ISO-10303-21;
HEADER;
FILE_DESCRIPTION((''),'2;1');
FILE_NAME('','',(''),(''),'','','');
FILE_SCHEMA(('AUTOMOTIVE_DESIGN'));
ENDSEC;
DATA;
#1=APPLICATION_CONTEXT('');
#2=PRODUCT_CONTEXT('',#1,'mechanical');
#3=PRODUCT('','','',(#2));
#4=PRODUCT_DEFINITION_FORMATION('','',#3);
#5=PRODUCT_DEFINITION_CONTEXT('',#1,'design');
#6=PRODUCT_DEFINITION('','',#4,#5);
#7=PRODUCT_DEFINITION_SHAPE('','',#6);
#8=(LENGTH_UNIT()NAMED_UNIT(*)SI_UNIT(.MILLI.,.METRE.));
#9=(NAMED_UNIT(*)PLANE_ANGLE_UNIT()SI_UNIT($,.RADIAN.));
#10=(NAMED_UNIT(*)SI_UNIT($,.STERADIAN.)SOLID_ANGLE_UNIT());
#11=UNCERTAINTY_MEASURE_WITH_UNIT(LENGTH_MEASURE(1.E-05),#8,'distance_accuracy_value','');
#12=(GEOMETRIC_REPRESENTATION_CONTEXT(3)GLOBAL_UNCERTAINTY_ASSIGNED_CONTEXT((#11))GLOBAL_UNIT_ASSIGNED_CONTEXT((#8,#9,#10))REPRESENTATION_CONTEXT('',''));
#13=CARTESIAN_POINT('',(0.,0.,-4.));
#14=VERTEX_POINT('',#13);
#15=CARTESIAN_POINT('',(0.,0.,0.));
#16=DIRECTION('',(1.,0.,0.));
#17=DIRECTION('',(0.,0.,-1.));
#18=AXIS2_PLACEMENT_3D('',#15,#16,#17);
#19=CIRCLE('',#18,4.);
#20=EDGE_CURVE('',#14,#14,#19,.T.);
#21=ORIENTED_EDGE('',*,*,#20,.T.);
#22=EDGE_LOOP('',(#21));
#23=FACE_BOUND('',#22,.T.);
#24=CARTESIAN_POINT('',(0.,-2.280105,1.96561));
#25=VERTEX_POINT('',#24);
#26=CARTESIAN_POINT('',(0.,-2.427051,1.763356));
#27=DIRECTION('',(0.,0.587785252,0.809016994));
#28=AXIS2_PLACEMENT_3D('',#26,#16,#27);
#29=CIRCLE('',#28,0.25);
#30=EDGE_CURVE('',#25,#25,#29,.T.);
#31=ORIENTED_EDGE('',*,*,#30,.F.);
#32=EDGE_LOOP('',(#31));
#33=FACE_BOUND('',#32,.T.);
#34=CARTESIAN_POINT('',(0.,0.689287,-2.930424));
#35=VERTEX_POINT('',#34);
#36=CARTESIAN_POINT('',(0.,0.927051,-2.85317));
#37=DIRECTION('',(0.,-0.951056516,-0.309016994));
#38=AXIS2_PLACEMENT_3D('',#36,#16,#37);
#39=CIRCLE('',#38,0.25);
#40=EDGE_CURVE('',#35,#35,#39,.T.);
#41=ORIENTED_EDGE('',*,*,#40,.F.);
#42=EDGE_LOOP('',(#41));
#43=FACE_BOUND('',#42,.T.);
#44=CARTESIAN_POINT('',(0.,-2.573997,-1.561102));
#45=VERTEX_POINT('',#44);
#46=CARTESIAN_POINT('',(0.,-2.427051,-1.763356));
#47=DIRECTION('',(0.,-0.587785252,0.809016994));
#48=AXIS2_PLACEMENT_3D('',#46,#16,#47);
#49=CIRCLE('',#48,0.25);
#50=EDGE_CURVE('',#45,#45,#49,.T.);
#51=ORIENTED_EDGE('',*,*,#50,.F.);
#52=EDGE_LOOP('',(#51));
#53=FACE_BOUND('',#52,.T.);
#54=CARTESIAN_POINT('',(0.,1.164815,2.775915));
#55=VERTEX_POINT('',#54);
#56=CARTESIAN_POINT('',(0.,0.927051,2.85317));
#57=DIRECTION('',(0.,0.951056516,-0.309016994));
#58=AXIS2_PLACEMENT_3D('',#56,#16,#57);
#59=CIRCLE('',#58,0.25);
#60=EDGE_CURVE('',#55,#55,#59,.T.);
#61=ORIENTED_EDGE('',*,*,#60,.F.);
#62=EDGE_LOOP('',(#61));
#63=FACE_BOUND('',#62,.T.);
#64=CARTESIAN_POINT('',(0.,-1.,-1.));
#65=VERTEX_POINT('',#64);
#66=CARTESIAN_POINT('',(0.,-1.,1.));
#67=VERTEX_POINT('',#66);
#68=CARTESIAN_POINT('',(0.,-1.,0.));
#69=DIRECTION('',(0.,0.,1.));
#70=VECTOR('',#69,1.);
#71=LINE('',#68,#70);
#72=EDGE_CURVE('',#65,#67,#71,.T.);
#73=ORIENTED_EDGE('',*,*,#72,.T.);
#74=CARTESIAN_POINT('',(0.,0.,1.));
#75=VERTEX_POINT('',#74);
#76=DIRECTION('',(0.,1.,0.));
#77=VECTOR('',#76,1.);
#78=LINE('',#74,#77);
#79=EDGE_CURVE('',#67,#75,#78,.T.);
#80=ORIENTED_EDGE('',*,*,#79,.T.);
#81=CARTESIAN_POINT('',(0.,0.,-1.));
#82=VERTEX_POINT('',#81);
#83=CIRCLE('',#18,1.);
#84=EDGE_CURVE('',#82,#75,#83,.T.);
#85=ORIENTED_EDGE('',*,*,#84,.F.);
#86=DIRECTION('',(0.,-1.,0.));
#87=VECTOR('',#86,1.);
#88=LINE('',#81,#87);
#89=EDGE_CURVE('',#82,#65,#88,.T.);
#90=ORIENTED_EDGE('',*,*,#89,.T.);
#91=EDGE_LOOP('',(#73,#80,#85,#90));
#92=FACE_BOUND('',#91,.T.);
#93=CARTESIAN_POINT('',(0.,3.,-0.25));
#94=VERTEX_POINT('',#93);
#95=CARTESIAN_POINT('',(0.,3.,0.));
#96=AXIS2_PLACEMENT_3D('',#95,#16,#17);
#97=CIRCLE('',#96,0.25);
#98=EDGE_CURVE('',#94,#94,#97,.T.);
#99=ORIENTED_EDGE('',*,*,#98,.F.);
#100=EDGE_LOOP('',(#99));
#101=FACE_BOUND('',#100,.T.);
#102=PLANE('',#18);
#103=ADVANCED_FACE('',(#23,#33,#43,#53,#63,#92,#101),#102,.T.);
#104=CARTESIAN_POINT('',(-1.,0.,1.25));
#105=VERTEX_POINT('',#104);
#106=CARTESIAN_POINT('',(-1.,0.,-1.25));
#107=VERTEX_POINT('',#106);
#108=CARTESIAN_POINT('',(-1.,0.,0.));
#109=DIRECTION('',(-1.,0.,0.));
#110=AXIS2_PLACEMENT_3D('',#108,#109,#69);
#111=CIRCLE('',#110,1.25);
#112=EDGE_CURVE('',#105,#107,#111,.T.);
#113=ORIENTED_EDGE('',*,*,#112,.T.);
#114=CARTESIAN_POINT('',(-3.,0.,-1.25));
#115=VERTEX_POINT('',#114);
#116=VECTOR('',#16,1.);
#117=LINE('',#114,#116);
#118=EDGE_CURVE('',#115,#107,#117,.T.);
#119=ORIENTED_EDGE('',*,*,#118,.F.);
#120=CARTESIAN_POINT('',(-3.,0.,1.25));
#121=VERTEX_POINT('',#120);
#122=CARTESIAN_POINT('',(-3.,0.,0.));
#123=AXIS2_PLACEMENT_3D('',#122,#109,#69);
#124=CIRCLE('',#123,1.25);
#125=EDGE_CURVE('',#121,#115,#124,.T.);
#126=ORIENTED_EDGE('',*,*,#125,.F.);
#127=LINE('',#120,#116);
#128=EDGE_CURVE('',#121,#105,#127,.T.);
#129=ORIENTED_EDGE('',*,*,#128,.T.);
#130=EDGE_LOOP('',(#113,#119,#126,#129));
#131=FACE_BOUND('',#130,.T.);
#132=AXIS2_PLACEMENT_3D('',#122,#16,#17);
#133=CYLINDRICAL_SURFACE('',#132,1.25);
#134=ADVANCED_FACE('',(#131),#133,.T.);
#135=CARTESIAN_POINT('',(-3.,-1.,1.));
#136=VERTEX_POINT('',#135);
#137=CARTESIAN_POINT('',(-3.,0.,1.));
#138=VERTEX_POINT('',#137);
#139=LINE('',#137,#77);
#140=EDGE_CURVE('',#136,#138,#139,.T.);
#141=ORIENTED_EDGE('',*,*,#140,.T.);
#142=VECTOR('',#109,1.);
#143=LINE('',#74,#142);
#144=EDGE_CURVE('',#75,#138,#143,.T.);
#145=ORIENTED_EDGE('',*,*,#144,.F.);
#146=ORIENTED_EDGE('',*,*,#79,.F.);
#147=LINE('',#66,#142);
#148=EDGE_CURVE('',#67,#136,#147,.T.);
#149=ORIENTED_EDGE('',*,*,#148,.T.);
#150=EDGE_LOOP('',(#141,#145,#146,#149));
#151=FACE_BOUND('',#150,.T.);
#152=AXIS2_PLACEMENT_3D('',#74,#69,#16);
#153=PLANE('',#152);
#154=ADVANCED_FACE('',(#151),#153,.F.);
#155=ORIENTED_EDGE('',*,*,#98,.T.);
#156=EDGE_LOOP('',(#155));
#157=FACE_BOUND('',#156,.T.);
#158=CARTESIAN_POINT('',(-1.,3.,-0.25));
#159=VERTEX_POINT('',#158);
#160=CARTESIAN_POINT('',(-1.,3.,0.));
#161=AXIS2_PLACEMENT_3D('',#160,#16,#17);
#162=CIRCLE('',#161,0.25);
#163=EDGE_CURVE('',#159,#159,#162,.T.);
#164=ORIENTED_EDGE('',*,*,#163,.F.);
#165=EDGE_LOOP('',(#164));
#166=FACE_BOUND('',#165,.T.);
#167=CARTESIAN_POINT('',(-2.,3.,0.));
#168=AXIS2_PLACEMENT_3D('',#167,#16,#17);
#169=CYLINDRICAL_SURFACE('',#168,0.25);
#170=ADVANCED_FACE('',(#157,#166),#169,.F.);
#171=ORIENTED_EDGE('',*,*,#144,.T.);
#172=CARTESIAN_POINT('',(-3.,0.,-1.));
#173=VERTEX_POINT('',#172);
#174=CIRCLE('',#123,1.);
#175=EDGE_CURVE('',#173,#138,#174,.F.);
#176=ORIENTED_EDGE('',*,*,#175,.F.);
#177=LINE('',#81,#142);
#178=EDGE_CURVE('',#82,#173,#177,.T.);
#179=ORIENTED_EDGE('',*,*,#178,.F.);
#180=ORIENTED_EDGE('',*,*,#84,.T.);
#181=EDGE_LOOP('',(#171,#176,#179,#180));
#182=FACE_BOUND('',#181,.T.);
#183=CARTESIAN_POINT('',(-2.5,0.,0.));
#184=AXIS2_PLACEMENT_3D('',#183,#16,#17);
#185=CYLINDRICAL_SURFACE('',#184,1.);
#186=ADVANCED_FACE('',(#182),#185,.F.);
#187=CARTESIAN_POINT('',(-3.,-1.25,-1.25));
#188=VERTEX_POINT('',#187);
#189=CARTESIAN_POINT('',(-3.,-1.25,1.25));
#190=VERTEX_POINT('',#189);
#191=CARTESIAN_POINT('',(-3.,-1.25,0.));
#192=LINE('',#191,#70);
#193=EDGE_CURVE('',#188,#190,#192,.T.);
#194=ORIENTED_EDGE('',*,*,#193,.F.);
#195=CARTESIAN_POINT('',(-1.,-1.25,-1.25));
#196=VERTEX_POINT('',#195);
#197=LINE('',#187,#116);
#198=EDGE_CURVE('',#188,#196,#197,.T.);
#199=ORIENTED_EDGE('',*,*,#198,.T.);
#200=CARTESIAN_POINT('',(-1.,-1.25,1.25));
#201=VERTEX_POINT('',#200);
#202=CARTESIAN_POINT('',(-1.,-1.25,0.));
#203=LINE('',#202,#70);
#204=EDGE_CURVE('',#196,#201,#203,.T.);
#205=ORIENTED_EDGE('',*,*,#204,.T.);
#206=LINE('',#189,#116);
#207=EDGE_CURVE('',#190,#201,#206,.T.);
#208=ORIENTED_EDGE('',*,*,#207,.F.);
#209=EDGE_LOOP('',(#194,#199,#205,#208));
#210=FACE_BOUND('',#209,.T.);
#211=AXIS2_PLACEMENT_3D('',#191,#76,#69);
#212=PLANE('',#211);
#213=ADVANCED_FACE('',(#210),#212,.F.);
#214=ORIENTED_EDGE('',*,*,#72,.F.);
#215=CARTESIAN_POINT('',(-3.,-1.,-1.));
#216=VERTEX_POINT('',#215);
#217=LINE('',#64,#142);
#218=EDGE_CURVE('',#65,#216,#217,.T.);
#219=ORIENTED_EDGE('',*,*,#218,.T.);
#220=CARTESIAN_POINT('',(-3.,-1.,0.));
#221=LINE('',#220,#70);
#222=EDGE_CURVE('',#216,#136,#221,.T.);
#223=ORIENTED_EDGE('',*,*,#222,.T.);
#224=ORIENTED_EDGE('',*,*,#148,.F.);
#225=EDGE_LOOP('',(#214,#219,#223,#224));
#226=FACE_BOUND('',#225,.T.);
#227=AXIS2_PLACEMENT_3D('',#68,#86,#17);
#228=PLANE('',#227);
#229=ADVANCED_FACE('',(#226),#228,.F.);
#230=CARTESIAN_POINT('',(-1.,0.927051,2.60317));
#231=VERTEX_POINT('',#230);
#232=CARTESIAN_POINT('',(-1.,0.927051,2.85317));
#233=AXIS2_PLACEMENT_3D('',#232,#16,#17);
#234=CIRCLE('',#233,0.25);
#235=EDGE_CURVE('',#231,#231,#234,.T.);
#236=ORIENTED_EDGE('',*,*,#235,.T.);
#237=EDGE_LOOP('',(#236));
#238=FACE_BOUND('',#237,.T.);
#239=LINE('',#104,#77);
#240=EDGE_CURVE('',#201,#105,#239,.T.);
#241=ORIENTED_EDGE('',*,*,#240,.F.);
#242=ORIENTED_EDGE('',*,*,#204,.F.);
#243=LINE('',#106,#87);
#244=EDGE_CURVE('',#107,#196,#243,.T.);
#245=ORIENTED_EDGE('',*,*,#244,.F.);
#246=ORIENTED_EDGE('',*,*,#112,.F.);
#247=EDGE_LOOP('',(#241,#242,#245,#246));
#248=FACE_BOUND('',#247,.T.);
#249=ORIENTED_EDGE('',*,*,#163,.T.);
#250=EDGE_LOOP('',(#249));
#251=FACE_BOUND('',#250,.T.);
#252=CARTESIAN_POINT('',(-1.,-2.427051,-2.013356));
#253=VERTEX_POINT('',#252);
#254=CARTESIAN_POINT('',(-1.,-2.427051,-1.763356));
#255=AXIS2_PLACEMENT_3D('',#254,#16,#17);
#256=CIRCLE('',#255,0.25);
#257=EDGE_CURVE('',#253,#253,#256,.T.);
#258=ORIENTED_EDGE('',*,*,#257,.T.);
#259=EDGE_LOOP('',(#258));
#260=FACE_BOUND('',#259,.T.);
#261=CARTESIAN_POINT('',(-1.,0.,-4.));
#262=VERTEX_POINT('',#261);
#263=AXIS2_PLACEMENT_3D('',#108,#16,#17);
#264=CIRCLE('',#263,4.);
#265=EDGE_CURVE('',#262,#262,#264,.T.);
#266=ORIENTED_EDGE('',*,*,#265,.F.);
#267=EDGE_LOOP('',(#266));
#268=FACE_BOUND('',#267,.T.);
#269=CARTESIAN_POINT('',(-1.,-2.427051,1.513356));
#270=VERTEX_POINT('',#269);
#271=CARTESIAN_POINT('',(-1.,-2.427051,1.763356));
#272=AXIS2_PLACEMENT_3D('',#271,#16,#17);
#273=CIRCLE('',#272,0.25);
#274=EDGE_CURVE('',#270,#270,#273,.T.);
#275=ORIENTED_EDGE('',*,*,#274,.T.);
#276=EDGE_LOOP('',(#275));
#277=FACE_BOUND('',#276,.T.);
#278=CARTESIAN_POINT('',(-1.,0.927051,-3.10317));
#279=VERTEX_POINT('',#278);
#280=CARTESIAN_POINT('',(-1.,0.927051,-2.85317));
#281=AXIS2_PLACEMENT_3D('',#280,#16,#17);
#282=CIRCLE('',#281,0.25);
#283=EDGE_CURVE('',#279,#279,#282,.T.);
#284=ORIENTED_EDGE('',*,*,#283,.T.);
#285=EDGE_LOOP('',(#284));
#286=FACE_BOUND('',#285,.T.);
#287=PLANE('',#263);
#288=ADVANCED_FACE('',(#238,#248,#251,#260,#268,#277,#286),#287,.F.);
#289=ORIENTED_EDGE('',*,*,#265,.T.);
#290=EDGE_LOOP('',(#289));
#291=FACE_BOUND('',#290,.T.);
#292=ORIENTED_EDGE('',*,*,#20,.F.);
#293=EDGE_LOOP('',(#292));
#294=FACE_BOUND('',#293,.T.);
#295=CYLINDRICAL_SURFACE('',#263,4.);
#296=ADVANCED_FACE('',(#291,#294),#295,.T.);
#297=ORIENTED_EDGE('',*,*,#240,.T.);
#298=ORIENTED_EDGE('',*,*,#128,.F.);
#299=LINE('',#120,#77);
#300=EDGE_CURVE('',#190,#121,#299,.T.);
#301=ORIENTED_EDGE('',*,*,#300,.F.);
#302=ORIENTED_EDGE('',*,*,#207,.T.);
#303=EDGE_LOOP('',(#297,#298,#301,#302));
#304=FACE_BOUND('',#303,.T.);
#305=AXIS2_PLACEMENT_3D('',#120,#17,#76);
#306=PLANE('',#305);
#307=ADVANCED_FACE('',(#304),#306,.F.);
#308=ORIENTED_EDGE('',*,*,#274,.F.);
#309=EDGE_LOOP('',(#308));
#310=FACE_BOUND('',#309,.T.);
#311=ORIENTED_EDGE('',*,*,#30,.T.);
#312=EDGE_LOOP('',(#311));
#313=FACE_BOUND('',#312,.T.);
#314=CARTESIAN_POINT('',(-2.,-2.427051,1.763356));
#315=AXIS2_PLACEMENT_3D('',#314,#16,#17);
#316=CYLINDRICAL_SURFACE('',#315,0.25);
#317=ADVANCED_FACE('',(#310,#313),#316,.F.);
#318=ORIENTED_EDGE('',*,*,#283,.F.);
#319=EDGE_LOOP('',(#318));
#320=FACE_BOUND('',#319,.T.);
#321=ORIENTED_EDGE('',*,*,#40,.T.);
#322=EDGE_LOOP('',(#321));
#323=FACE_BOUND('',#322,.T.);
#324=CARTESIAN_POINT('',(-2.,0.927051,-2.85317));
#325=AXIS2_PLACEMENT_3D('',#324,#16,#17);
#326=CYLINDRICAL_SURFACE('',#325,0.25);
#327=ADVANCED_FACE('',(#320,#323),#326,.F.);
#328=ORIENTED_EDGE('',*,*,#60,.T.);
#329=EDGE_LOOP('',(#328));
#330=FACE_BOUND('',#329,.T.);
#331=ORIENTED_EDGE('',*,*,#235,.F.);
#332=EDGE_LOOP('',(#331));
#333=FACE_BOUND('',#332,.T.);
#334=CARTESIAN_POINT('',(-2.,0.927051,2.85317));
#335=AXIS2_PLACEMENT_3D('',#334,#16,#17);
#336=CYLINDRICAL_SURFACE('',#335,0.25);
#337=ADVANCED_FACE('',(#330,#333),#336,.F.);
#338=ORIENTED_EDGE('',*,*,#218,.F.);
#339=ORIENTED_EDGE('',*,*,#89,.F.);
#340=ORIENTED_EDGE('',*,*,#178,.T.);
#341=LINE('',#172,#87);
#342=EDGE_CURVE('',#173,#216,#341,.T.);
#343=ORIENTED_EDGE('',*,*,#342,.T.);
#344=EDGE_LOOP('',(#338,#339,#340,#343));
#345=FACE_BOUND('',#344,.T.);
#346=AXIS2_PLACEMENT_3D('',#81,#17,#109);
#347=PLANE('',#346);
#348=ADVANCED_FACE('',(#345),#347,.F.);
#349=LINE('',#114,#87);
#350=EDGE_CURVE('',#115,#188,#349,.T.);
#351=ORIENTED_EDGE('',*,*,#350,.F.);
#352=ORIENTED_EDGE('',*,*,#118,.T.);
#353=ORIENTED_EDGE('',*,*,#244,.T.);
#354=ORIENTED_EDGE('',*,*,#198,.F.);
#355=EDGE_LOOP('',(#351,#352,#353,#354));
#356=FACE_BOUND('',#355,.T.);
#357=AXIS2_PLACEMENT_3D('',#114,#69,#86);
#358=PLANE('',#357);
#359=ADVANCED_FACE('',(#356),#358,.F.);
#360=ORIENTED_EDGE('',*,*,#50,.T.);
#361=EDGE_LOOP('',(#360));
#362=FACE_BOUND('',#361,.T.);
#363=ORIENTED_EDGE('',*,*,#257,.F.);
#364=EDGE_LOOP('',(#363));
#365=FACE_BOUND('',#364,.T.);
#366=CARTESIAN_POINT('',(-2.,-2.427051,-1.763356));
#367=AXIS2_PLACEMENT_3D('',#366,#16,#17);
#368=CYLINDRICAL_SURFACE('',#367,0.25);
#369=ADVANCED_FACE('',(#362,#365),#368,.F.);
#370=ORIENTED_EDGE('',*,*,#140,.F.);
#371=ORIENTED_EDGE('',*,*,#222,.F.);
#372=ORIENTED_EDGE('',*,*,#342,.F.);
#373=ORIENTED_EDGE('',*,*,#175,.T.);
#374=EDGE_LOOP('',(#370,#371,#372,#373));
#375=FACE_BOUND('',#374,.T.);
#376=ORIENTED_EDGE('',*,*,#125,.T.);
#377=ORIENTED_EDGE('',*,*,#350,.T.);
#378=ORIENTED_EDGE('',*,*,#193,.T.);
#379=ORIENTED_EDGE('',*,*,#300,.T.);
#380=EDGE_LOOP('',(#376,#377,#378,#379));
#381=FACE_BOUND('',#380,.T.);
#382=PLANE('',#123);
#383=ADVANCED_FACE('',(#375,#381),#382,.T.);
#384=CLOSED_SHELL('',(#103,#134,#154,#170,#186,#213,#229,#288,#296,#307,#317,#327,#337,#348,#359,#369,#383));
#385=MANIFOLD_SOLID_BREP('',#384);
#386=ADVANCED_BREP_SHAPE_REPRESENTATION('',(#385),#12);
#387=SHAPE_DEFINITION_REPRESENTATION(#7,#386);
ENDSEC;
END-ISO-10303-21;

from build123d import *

# Parameters (mm, degrees)
SKETCH2_R           = 4
BOSS_EXTRUDE1_DEPTH = 1
SKETCH4_R           = 1
CUT_EXTRUDE1_DEPTH  = 2.5
SKETCH5_R           = 0.25
CUT_EXTRUDE2_DEPTH  = 2
CIRPATTERN1_COUNT   = 5
CUT_EXTRUDE3_DEPTH  = 6.744562647
BOSS_EXTRUDE2_DEPTH = 2


with BuildPart() as part:
    # Sketch2 → Boss-Extrude1 (new body)
    with BuildSketch(Plane(origin=(0, 0, 0), x_dir=(0, 0, -1), z_dir=(1, 0, 0))):
        Circle(SKETCH2_R)
    extrude(amount=-BOSS_EXTRUDE1_DEPTH)

    # Sketch4 → Cut-Extrude1 (cut)
    with BuildSketch(Plane(origin=(0, 0, 0), x_dir=(0, 0, -1), z_dir=(1, 0, 0))):
        Circle(SKETCH4_R)
    extrude(amount=-CUT_EXTRUDE1_DEPTH, mode=Mode.SUBTRACT)

    # Sketch5 → Cut-Extrude2 (cut)
    with BuildSketch(Plane(origin=(0, 0, 0), x_dir=(0, 0, -1), z_dir=(1, 0, 0))):
        with Locations((0, 3)):
            Circle(SKETCH5_R)
    cut_extrude2 = extrude(amount=-CUT_EXTRUDE2_DEPTH, mode=Mode.SUBTRACT)

    # CirPattern1: Cut-Extrude2 ×5 about axis
    cirpattern1_axis = Axis((-2.5, 0, 0), (1, 0, 0))
    for i in range(1, CIRPATTERN1_COUNT):
        add(cut_extrude2.rotate(cirpattern1_axis, i * 360 / CIRPATTERN1_COUNT), mode=Mode.SUBTRACT)

    # Sketch6 → Cut-Extrude3 (cut, through all)
    with BuildSketch(Plane.ZY.offset(1)):
        with BuildLine():
            Line((-1, -1), (0, -1))
            ThreePointArc((0, -1), (-0.707106781, -0.707106781), (-1, 0))
            Line((-1, 0), (-1, -1))
        make_face()
        with BuildLine():
            Line((0, -1), (1, -1))
            Line((1, -1), (1, 0))
            ThreePointArc((1, 0), (0.707106781, -0.707106781), (0, -1))
        make_face()
    extrude(amount=-CUT_EXTRUDE3_DEPTH, mode=Mode.SUBTRACT)

    # Sketch6<3> → Boss-Extrude2 (add)
    with BuildSketch(Plane.ZY.offset(1)):
        with BuildLine():
            Line((-1.25, -1.25), (1.25, -1.25))
            Line((1.25, -1.25), (1.25, 0))
            ThreePointArc((1.25, 0), (0, 1.25), (-1.25, 0))
            Line((-1.25, 0), (-1.25, -1.25))
        make_face()
        with BuildLine():
            Line((-1, -1), (-1, 0))
            ThreePointArc((-1, 0), (0, 1), (1, 0))
            Line((1, 0), (1, -1))
            Line((1, -1), (-1, -1))
        make_face(mode=Mode.SUBTRACT)
    extrude(amount=BOSS_EXTRUDE2_DEPTH)


solid = part.part
